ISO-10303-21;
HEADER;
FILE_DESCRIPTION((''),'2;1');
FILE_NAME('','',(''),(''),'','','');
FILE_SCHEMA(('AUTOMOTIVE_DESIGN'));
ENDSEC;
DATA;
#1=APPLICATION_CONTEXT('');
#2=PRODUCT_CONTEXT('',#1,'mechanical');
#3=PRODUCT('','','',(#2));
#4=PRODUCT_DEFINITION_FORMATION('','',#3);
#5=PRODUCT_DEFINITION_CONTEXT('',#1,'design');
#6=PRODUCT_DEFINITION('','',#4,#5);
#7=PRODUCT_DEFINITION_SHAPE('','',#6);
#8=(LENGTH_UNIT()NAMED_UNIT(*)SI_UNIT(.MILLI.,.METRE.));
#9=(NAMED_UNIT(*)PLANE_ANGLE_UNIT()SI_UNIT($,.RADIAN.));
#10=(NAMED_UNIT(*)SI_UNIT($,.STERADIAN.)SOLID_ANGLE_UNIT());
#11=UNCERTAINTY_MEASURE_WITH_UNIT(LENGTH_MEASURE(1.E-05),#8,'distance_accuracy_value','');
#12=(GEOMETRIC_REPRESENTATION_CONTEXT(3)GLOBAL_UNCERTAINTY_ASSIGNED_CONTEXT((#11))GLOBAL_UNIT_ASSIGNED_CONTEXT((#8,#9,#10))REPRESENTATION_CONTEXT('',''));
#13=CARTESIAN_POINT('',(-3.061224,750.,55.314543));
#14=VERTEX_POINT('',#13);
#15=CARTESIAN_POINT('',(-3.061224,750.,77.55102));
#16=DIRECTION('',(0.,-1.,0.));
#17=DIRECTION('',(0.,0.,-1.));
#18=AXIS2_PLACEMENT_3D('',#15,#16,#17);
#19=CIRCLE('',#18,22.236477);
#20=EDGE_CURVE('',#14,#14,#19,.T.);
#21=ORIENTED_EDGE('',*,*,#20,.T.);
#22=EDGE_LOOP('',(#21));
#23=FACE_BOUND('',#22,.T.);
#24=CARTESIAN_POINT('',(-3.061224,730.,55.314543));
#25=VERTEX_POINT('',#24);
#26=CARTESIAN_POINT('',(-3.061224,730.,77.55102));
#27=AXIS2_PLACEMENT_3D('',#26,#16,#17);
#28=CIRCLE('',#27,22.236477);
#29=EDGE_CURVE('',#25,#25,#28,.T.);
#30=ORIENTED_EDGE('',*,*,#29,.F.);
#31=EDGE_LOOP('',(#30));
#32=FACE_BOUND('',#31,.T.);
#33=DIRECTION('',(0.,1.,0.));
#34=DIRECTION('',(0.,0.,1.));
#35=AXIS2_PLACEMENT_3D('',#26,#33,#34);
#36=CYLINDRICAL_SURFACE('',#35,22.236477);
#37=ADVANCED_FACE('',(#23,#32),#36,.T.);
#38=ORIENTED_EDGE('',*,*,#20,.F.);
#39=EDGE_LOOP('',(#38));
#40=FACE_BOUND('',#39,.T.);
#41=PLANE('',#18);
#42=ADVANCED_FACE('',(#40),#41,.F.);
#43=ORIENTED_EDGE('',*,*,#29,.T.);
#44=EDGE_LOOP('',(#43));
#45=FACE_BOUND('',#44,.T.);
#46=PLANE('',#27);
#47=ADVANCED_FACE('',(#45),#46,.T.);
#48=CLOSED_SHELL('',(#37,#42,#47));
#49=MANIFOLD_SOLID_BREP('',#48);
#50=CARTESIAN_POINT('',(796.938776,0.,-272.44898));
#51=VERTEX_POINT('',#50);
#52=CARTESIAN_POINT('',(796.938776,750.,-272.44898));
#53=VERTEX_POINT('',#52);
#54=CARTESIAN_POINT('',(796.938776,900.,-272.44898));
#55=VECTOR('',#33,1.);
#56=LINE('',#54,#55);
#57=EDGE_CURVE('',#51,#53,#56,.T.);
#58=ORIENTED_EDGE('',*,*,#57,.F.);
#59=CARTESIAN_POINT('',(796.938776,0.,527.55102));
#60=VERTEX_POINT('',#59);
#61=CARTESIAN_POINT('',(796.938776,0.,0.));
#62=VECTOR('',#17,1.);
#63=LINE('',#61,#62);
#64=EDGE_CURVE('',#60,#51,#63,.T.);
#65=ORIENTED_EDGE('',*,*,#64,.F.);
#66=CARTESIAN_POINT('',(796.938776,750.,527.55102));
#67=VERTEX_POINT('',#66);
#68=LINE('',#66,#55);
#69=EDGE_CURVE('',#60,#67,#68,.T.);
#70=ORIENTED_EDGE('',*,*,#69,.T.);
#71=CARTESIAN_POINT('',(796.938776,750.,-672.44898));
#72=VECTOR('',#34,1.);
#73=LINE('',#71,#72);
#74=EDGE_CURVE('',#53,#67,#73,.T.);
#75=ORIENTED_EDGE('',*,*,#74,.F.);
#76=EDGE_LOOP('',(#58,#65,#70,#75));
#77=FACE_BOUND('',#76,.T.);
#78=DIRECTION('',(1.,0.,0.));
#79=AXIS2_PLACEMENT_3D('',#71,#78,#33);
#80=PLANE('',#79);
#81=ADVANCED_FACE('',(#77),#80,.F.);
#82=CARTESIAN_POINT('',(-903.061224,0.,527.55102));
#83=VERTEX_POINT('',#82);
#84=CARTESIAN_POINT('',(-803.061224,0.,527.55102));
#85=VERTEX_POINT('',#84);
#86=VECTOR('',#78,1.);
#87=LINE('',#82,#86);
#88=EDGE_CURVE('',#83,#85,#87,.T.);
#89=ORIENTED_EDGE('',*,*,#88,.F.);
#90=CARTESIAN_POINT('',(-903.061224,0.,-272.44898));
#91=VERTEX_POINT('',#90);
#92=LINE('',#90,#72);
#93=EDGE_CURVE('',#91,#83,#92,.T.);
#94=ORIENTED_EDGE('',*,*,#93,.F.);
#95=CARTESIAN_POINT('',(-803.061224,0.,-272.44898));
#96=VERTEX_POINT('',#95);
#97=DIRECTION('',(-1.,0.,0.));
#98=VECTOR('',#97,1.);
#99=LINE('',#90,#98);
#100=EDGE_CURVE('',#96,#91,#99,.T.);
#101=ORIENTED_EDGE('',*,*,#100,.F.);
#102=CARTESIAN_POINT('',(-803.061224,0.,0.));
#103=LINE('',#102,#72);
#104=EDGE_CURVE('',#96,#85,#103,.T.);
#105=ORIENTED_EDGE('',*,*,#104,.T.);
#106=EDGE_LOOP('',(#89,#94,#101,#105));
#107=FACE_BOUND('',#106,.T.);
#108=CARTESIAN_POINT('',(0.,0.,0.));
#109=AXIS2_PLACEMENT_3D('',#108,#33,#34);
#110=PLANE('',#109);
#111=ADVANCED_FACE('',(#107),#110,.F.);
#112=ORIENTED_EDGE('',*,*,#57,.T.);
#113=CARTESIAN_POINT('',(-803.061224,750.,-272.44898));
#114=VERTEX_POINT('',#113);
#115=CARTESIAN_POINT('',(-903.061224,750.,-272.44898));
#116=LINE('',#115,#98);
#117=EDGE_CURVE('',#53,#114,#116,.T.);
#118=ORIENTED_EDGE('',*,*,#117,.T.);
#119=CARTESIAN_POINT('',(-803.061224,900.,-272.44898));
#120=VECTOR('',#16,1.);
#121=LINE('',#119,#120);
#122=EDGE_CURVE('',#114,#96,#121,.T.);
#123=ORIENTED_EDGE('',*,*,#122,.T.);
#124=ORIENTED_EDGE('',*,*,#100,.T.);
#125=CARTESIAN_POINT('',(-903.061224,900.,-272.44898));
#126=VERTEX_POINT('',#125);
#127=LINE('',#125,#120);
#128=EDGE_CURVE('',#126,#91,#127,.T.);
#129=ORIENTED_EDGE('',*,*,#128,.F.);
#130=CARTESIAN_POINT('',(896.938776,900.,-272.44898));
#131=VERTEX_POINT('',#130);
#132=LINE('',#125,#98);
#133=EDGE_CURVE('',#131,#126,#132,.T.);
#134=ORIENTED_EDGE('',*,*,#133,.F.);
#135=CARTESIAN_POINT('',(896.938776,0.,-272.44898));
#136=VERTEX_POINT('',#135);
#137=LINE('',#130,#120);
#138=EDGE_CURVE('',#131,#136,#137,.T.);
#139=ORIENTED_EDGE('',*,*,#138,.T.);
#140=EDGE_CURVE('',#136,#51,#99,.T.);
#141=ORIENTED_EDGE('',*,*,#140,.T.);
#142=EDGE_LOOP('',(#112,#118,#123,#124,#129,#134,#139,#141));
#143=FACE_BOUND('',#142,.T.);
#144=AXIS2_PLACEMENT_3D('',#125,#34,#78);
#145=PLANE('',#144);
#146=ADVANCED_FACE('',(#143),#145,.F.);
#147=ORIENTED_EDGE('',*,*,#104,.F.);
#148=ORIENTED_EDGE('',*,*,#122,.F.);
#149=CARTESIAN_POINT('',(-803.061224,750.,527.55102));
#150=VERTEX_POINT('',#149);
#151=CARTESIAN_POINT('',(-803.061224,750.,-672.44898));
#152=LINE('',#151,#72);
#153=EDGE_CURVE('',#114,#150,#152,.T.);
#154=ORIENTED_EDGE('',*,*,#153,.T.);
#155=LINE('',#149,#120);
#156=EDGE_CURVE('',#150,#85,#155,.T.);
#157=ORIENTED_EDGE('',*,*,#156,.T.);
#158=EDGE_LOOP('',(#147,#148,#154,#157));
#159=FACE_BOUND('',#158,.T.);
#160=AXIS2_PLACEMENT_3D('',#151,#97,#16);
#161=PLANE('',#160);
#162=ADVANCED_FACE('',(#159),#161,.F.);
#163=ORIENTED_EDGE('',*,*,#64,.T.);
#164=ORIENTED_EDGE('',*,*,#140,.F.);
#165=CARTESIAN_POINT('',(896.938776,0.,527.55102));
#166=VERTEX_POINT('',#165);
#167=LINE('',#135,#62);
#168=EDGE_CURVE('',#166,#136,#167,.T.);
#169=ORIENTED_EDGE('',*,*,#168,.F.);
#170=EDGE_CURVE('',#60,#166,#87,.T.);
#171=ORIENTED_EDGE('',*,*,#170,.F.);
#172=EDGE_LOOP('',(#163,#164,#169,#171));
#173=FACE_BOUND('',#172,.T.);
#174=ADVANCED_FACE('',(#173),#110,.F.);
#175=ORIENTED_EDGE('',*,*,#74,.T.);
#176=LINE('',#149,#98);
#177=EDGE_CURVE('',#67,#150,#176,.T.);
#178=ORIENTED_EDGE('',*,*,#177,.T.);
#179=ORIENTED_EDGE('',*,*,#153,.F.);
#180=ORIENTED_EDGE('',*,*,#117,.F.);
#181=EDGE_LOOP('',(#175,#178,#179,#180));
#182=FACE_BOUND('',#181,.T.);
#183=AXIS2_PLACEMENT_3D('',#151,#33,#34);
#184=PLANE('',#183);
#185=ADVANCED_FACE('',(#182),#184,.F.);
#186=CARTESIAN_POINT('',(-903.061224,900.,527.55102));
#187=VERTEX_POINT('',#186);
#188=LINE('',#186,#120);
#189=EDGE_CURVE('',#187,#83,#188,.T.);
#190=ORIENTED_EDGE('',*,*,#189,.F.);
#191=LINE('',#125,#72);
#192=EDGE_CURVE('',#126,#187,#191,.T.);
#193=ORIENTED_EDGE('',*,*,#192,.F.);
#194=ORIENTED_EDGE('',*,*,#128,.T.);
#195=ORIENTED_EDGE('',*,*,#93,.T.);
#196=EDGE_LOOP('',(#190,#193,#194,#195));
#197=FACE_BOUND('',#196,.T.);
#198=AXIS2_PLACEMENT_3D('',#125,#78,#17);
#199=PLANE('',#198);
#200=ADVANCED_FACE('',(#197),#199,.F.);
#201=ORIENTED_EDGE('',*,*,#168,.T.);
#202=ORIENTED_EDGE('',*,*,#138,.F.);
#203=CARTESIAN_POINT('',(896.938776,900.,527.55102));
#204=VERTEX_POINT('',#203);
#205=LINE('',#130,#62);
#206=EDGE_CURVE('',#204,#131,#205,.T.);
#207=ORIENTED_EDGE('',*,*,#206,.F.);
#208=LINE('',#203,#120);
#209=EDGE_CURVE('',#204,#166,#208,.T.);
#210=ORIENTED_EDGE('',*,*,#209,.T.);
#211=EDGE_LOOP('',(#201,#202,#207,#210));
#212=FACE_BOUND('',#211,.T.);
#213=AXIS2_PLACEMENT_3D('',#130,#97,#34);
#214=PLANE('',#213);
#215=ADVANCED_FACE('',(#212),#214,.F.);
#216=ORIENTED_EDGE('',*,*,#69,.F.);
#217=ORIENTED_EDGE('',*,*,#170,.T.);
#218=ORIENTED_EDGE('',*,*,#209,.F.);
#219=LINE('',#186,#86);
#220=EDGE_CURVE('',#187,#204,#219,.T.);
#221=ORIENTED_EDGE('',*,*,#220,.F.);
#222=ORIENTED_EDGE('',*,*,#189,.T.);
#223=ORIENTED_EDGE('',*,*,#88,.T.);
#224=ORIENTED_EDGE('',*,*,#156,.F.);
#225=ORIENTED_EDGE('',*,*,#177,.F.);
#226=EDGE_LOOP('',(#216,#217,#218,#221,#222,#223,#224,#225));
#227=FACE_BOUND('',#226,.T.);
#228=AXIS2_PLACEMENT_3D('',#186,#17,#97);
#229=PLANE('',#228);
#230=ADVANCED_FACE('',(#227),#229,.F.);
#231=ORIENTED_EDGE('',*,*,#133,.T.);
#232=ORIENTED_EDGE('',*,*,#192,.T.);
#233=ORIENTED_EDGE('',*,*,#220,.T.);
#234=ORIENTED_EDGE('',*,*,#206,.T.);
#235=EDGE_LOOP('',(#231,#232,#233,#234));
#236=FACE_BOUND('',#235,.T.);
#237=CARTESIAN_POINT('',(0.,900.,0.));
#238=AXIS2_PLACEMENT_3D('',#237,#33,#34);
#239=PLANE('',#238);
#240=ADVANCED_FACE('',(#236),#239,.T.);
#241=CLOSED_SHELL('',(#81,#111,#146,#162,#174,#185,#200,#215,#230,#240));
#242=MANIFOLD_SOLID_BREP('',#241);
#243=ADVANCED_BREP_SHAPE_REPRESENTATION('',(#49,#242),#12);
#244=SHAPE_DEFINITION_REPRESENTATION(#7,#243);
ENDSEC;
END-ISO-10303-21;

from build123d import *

# Parameters (mm, degrees)
SKETCH1_W           = 1800
SKETCH1_H           = 800
BOSS_EXTRUDE1_DEPTH = 900
SKETCH2_W           = 1600
SKETCH2_H           = 750
CUT_EXTRUDE1_DEPTH  = 1200
SKETCH3_R           = 22.236476972
BOSS_EXTRUDE2_DEPTH = 20


with BuildPart() as part:
    # Sketch1 → Boss-Extrude1 (new body)
    with BuildSketch(Plane(origin=(0, 0, 0), x_dir=(1, 0, 0), z_dir=(0, 1, 0))):
        with Locations((-3.06122449, -127.551020408)):
            Rectangle(SKETCH1_W, SKETCH1_H)
    extrude(amount=BOSS_EXTRUDE1_DEPTH)

    # Sketch2 → Cut-Extrude1 (cut)
    with BuildSketch(Plane.XY.offset(527.551020408)):
        with Locations((-3.06122449, 375)):
            Rectangle(SKETCH2_W, SKETCH2_H)
    extrude(amount=-CUT_EXTRUDE1_DEPTH, mode=Mode.SUBTRACT)


with BuildPart() as body_2:
    # Sketch3 → Boss-Extrude2 (new body)
    with BuildSketch(Plane.XZ.offset(-750)):
        with Locations((-3.06122449, 77.551020408)):
            Circle(SKETCH3_R)
    extrude(amount=BOSS_EXTRUDE2_DEPTH)


solid = Compound([part.part, body_2.part])
